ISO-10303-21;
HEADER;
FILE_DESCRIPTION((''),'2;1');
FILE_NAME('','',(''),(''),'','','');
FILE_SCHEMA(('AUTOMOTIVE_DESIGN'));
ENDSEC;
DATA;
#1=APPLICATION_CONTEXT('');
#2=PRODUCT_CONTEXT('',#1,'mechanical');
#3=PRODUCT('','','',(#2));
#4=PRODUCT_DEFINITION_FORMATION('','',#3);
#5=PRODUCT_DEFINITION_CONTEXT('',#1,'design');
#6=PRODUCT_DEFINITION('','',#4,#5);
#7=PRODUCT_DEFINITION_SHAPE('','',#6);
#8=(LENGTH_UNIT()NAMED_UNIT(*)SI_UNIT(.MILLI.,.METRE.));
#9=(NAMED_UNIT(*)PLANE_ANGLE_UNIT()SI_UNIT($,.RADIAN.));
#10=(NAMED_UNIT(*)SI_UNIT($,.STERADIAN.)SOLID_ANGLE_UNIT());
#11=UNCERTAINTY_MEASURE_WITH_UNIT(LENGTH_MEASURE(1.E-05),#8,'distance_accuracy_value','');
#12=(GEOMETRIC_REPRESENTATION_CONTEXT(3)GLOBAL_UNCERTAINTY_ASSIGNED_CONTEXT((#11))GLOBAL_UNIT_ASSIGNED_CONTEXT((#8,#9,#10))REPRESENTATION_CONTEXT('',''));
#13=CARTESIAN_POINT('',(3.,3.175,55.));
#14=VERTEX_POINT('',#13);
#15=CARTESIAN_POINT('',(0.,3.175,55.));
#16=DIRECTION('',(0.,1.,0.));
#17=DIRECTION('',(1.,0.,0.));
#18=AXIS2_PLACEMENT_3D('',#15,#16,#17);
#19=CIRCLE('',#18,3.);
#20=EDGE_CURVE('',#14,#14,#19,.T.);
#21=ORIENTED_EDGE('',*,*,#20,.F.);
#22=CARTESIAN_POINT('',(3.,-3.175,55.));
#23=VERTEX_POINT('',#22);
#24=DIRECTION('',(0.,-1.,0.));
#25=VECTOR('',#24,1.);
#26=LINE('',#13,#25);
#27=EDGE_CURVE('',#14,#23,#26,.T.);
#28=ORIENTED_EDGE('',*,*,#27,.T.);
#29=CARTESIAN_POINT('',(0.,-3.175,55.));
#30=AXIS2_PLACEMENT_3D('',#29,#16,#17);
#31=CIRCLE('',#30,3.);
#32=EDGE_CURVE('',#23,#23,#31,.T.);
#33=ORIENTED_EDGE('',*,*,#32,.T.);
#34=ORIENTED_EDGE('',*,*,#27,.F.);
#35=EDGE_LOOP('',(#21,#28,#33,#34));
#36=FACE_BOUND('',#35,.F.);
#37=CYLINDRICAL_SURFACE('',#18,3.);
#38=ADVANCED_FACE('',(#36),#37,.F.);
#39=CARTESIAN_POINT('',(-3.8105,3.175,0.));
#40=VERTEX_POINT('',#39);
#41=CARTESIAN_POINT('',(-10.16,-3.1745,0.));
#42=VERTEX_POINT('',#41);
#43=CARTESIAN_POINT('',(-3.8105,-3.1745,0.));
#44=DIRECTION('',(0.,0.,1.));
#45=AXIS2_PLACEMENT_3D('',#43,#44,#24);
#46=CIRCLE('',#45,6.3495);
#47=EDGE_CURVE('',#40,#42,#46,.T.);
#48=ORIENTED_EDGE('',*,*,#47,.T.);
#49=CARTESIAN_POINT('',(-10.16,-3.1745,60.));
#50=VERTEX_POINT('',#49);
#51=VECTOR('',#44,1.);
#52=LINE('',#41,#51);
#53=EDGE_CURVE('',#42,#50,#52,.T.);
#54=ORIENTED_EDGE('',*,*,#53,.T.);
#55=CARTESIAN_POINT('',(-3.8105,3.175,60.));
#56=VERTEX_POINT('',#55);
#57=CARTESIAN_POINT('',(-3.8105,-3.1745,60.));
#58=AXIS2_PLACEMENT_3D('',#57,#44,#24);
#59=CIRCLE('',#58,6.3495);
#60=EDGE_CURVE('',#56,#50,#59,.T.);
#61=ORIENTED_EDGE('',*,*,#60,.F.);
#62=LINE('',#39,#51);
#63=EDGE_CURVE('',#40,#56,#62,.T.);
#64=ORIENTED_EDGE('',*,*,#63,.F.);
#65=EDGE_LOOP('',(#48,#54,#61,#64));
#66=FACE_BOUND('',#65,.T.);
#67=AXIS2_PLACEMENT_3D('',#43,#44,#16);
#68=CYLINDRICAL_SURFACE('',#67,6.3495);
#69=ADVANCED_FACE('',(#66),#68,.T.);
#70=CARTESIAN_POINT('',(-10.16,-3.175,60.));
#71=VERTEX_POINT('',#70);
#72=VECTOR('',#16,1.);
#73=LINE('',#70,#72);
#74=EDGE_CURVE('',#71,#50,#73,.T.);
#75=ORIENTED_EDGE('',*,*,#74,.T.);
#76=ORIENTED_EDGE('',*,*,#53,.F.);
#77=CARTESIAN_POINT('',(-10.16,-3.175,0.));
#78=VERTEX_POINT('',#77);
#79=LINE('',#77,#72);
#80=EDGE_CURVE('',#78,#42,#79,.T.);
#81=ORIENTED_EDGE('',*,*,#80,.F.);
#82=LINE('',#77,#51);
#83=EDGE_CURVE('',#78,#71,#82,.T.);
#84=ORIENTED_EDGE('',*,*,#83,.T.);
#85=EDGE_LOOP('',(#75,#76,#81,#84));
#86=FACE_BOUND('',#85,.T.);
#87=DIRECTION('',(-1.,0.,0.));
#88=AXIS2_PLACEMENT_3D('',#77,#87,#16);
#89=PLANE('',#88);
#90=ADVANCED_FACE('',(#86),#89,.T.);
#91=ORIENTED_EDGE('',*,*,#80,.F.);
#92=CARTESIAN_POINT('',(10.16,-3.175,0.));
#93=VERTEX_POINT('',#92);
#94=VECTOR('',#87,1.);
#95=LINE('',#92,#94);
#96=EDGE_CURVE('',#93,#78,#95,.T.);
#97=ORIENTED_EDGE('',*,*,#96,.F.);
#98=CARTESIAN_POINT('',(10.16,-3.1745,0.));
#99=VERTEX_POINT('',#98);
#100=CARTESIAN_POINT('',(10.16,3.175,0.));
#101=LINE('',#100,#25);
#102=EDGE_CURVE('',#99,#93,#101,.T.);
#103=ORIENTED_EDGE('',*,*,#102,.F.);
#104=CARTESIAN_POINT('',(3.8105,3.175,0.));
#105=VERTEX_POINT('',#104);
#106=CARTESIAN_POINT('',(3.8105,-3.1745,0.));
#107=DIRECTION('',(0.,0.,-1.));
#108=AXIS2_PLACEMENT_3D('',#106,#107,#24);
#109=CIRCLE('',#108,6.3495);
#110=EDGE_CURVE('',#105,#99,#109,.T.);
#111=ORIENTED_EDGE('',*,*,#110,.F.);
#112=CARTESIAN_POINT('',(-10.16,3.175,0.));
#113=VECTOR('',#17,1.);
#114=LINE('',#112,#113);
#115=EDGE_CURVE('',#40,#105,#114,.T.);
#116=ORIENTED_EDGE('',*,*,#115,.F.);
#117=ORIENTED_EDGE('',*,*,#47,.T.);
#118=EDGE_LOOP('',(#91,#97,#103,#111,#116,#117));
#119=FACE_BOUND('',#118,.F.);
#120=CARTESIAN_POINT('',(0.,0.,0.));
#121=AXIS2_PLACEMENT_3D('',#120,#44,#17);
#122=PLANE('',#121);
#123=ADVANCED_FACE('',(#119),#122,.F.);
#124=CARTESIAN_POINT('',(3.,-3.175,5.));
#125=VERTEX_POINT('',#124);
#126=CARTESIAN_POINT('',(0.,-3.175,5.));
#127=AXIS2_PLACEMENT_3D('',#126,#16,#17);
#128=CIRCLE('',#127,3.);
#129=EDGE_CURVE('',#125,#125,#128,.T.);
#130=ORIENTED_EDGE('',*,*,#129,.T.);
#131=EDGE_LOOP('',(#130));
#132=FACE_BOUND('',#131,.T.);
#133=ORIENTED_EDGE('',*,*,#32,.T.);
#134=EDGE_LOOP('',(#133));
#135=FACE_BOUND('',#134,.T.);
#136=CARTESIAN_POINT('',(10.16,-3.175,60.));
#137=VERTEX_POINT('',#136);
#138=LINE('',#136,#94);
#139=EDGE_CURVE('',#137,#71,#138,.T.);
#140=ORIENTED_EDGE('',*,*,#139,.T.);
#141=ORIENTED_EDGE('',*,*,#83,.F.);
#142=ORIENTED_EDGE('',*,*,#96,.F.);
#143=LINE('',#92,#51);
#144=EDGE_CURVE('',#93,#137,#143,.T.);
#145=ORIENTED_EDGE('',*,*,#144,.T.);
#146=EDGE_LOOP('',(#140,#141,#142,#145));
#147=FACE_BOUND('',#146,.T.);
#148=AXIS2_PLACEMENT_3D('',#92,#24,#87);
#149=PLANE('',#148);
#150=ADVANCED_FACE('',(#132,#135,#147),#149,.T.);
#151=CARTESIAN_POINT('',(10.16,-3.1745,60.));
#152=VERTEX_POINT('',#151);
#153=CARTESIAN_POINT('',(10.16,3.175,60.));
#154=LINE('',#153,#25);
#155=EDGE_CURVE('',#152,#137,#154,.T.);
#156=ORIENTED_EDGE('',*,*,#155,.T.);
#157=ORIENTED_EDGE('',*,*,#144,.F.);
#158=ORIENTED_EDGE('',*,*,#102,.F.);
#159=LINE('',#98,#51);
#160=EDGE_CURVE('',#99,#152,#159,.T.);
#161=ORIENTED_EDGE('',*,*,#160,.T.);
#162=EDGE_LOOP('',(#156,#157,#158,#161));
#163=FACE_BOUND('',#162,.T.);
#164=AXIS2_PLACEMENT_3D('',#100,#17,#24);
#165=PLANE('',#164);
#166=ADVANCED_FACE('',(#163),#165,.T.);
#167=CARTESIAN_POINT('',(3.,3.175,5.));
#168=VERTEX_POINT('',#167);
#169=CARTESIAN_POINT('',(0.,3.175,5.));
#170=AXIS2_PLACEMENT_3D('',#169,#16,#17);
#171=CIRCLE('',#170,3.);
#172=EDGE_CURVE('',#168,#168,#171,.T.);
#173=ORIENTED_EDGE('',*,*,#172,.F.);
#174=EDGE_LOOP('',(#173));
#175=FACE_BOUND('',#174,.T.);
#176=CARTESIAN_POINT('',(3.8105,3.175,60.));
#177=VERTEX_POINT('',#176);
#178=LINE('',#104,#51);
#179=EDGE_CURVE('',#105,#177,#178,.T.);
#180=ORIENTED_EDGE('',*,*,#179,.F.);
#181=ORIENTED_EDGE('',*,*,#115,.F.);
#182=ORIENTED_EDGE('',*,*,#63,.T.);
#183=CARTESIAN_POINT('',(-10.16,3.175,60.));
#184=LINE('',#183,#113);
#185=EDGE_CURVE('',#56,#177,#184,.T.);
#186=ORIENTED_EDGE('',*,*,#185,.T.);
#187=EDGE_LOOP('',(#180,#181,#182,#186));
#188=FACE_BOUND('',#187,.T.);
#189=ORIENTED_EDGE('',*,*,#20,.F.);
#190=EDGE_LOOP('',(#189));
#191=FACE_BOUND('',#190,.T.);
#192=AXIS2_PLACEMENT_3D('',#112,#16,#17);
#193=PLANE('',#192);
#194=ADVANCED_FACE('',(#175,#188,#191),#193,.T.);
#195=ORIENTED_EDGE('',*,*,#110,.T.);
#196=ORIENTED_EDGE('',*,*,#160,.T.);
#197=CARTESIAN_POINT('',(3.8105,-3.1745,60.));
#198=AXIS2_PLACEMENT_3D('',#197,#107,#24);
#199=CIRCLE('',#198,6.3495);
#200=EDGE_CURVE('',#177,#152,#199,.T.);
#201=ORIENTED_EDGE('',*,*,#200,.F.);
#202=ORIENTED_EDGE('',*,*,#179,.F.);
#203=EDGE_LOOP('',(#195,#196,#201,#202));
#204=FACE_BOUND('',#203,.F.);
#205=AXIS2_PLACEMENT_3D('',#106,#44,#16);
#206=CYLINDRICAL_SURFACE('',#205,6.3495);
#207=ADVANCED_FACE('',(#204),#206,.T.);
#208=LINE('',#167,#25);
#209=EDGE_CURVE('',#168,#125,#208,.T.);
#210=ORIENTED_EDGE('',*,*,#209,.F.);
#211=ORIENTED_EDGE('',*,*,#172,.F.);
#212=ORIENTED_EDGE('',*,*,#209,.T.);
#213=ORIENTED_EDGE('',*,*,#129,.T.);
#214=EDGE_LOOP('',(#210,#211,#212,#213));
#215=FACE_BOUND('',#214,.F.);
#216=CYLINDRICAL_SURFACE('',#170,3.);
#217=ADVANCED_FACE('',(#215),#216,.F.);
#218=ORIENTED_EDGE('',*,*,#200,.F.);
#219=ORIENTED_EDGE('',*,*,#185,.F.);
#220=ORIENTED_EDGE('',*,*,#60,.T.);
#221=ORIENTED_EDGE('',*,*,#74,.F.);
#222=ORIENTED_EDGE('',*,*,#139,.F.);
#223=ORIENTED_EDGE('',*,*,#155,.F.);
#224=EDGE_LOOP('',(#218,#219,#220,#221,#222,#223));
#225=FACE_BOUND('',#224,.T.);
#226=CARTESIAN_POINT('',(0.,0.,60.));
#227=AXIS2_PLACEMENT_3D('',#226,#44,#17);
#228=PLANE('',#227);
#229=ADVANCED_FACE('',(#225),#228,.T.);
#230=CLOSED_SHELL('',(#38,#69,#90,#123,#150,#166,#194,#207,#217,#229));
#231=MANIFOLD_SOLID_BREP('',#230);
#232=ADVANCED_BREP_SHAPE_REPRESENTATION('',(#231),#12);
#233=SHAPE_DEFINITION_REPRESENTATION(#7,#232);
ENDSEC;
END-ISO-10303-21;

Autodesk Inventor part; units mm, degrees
ref_plane "YZ Plane" through (0, 0, 0) normal (1, 0, 0) x (0, 1, 0)
ref_plane "XZ Plane" through (0, 0, 0) normal (0, 1, 0) x (-1, 0, 0)
ref_plane "XY Plane" through (0, 0, 0) normal (0, 0, 1) x (1, 0, 0)
sketch "Sketch1" plane through (0, 0, 0) normal (0, 0, 1) x (1, 0, 0)
  line L0 (-10.16, 3.175) -> (10.16, 3.175)
  line L1 (10.16, 3.175) -> (10.16, -3.175)
  line L2 (10.16, -3.175) -> (-10.16, -3.175)
  line L3 (-10.16, -3.175) -> (-10.16, 3.175)
  line L4 (-10.16, 3.175) -> (10.16, -3.175) construction
  line L5 (10.16, 3.175) -> (-10.16, -3.175) construction
  point P0 (0, 0)
  dimension "d0" = 20.32
  dimension "d1" = 6.35
extrude "Extrusion1" add sketch "Sketch1" along normal blind 60
fillet "Fillet1" radius 6.35 2 edges at (-10.16, 3.175, 30) (10.16, 3.175, 30)
sketch "Sketch2" plane through (-3.81, 3.175, 0) normal (0, 1, 0) x (1, 0, 0)
  circle A0 centre (3.81, -5) radius 3
  line L0 (7.62, 0) -> (7.62, -60) projected
  circle A1 centre (3.81, -55) radius 3
  line L1 (7.62, -60) -> (0, -60) projected
  point P0 (3.81, 0)
  dimension "d5" = 6
  dimension "d6" = 5
  dimension "d7" = 3.81
  dimension "d10" = 6
  dimension "d11" = 3.81
  dimension "d15" = 50
extrude "Extrusion3" cut sketch "Sketch2" against normal through all
properties part number "Festoon_LowerBracket"
